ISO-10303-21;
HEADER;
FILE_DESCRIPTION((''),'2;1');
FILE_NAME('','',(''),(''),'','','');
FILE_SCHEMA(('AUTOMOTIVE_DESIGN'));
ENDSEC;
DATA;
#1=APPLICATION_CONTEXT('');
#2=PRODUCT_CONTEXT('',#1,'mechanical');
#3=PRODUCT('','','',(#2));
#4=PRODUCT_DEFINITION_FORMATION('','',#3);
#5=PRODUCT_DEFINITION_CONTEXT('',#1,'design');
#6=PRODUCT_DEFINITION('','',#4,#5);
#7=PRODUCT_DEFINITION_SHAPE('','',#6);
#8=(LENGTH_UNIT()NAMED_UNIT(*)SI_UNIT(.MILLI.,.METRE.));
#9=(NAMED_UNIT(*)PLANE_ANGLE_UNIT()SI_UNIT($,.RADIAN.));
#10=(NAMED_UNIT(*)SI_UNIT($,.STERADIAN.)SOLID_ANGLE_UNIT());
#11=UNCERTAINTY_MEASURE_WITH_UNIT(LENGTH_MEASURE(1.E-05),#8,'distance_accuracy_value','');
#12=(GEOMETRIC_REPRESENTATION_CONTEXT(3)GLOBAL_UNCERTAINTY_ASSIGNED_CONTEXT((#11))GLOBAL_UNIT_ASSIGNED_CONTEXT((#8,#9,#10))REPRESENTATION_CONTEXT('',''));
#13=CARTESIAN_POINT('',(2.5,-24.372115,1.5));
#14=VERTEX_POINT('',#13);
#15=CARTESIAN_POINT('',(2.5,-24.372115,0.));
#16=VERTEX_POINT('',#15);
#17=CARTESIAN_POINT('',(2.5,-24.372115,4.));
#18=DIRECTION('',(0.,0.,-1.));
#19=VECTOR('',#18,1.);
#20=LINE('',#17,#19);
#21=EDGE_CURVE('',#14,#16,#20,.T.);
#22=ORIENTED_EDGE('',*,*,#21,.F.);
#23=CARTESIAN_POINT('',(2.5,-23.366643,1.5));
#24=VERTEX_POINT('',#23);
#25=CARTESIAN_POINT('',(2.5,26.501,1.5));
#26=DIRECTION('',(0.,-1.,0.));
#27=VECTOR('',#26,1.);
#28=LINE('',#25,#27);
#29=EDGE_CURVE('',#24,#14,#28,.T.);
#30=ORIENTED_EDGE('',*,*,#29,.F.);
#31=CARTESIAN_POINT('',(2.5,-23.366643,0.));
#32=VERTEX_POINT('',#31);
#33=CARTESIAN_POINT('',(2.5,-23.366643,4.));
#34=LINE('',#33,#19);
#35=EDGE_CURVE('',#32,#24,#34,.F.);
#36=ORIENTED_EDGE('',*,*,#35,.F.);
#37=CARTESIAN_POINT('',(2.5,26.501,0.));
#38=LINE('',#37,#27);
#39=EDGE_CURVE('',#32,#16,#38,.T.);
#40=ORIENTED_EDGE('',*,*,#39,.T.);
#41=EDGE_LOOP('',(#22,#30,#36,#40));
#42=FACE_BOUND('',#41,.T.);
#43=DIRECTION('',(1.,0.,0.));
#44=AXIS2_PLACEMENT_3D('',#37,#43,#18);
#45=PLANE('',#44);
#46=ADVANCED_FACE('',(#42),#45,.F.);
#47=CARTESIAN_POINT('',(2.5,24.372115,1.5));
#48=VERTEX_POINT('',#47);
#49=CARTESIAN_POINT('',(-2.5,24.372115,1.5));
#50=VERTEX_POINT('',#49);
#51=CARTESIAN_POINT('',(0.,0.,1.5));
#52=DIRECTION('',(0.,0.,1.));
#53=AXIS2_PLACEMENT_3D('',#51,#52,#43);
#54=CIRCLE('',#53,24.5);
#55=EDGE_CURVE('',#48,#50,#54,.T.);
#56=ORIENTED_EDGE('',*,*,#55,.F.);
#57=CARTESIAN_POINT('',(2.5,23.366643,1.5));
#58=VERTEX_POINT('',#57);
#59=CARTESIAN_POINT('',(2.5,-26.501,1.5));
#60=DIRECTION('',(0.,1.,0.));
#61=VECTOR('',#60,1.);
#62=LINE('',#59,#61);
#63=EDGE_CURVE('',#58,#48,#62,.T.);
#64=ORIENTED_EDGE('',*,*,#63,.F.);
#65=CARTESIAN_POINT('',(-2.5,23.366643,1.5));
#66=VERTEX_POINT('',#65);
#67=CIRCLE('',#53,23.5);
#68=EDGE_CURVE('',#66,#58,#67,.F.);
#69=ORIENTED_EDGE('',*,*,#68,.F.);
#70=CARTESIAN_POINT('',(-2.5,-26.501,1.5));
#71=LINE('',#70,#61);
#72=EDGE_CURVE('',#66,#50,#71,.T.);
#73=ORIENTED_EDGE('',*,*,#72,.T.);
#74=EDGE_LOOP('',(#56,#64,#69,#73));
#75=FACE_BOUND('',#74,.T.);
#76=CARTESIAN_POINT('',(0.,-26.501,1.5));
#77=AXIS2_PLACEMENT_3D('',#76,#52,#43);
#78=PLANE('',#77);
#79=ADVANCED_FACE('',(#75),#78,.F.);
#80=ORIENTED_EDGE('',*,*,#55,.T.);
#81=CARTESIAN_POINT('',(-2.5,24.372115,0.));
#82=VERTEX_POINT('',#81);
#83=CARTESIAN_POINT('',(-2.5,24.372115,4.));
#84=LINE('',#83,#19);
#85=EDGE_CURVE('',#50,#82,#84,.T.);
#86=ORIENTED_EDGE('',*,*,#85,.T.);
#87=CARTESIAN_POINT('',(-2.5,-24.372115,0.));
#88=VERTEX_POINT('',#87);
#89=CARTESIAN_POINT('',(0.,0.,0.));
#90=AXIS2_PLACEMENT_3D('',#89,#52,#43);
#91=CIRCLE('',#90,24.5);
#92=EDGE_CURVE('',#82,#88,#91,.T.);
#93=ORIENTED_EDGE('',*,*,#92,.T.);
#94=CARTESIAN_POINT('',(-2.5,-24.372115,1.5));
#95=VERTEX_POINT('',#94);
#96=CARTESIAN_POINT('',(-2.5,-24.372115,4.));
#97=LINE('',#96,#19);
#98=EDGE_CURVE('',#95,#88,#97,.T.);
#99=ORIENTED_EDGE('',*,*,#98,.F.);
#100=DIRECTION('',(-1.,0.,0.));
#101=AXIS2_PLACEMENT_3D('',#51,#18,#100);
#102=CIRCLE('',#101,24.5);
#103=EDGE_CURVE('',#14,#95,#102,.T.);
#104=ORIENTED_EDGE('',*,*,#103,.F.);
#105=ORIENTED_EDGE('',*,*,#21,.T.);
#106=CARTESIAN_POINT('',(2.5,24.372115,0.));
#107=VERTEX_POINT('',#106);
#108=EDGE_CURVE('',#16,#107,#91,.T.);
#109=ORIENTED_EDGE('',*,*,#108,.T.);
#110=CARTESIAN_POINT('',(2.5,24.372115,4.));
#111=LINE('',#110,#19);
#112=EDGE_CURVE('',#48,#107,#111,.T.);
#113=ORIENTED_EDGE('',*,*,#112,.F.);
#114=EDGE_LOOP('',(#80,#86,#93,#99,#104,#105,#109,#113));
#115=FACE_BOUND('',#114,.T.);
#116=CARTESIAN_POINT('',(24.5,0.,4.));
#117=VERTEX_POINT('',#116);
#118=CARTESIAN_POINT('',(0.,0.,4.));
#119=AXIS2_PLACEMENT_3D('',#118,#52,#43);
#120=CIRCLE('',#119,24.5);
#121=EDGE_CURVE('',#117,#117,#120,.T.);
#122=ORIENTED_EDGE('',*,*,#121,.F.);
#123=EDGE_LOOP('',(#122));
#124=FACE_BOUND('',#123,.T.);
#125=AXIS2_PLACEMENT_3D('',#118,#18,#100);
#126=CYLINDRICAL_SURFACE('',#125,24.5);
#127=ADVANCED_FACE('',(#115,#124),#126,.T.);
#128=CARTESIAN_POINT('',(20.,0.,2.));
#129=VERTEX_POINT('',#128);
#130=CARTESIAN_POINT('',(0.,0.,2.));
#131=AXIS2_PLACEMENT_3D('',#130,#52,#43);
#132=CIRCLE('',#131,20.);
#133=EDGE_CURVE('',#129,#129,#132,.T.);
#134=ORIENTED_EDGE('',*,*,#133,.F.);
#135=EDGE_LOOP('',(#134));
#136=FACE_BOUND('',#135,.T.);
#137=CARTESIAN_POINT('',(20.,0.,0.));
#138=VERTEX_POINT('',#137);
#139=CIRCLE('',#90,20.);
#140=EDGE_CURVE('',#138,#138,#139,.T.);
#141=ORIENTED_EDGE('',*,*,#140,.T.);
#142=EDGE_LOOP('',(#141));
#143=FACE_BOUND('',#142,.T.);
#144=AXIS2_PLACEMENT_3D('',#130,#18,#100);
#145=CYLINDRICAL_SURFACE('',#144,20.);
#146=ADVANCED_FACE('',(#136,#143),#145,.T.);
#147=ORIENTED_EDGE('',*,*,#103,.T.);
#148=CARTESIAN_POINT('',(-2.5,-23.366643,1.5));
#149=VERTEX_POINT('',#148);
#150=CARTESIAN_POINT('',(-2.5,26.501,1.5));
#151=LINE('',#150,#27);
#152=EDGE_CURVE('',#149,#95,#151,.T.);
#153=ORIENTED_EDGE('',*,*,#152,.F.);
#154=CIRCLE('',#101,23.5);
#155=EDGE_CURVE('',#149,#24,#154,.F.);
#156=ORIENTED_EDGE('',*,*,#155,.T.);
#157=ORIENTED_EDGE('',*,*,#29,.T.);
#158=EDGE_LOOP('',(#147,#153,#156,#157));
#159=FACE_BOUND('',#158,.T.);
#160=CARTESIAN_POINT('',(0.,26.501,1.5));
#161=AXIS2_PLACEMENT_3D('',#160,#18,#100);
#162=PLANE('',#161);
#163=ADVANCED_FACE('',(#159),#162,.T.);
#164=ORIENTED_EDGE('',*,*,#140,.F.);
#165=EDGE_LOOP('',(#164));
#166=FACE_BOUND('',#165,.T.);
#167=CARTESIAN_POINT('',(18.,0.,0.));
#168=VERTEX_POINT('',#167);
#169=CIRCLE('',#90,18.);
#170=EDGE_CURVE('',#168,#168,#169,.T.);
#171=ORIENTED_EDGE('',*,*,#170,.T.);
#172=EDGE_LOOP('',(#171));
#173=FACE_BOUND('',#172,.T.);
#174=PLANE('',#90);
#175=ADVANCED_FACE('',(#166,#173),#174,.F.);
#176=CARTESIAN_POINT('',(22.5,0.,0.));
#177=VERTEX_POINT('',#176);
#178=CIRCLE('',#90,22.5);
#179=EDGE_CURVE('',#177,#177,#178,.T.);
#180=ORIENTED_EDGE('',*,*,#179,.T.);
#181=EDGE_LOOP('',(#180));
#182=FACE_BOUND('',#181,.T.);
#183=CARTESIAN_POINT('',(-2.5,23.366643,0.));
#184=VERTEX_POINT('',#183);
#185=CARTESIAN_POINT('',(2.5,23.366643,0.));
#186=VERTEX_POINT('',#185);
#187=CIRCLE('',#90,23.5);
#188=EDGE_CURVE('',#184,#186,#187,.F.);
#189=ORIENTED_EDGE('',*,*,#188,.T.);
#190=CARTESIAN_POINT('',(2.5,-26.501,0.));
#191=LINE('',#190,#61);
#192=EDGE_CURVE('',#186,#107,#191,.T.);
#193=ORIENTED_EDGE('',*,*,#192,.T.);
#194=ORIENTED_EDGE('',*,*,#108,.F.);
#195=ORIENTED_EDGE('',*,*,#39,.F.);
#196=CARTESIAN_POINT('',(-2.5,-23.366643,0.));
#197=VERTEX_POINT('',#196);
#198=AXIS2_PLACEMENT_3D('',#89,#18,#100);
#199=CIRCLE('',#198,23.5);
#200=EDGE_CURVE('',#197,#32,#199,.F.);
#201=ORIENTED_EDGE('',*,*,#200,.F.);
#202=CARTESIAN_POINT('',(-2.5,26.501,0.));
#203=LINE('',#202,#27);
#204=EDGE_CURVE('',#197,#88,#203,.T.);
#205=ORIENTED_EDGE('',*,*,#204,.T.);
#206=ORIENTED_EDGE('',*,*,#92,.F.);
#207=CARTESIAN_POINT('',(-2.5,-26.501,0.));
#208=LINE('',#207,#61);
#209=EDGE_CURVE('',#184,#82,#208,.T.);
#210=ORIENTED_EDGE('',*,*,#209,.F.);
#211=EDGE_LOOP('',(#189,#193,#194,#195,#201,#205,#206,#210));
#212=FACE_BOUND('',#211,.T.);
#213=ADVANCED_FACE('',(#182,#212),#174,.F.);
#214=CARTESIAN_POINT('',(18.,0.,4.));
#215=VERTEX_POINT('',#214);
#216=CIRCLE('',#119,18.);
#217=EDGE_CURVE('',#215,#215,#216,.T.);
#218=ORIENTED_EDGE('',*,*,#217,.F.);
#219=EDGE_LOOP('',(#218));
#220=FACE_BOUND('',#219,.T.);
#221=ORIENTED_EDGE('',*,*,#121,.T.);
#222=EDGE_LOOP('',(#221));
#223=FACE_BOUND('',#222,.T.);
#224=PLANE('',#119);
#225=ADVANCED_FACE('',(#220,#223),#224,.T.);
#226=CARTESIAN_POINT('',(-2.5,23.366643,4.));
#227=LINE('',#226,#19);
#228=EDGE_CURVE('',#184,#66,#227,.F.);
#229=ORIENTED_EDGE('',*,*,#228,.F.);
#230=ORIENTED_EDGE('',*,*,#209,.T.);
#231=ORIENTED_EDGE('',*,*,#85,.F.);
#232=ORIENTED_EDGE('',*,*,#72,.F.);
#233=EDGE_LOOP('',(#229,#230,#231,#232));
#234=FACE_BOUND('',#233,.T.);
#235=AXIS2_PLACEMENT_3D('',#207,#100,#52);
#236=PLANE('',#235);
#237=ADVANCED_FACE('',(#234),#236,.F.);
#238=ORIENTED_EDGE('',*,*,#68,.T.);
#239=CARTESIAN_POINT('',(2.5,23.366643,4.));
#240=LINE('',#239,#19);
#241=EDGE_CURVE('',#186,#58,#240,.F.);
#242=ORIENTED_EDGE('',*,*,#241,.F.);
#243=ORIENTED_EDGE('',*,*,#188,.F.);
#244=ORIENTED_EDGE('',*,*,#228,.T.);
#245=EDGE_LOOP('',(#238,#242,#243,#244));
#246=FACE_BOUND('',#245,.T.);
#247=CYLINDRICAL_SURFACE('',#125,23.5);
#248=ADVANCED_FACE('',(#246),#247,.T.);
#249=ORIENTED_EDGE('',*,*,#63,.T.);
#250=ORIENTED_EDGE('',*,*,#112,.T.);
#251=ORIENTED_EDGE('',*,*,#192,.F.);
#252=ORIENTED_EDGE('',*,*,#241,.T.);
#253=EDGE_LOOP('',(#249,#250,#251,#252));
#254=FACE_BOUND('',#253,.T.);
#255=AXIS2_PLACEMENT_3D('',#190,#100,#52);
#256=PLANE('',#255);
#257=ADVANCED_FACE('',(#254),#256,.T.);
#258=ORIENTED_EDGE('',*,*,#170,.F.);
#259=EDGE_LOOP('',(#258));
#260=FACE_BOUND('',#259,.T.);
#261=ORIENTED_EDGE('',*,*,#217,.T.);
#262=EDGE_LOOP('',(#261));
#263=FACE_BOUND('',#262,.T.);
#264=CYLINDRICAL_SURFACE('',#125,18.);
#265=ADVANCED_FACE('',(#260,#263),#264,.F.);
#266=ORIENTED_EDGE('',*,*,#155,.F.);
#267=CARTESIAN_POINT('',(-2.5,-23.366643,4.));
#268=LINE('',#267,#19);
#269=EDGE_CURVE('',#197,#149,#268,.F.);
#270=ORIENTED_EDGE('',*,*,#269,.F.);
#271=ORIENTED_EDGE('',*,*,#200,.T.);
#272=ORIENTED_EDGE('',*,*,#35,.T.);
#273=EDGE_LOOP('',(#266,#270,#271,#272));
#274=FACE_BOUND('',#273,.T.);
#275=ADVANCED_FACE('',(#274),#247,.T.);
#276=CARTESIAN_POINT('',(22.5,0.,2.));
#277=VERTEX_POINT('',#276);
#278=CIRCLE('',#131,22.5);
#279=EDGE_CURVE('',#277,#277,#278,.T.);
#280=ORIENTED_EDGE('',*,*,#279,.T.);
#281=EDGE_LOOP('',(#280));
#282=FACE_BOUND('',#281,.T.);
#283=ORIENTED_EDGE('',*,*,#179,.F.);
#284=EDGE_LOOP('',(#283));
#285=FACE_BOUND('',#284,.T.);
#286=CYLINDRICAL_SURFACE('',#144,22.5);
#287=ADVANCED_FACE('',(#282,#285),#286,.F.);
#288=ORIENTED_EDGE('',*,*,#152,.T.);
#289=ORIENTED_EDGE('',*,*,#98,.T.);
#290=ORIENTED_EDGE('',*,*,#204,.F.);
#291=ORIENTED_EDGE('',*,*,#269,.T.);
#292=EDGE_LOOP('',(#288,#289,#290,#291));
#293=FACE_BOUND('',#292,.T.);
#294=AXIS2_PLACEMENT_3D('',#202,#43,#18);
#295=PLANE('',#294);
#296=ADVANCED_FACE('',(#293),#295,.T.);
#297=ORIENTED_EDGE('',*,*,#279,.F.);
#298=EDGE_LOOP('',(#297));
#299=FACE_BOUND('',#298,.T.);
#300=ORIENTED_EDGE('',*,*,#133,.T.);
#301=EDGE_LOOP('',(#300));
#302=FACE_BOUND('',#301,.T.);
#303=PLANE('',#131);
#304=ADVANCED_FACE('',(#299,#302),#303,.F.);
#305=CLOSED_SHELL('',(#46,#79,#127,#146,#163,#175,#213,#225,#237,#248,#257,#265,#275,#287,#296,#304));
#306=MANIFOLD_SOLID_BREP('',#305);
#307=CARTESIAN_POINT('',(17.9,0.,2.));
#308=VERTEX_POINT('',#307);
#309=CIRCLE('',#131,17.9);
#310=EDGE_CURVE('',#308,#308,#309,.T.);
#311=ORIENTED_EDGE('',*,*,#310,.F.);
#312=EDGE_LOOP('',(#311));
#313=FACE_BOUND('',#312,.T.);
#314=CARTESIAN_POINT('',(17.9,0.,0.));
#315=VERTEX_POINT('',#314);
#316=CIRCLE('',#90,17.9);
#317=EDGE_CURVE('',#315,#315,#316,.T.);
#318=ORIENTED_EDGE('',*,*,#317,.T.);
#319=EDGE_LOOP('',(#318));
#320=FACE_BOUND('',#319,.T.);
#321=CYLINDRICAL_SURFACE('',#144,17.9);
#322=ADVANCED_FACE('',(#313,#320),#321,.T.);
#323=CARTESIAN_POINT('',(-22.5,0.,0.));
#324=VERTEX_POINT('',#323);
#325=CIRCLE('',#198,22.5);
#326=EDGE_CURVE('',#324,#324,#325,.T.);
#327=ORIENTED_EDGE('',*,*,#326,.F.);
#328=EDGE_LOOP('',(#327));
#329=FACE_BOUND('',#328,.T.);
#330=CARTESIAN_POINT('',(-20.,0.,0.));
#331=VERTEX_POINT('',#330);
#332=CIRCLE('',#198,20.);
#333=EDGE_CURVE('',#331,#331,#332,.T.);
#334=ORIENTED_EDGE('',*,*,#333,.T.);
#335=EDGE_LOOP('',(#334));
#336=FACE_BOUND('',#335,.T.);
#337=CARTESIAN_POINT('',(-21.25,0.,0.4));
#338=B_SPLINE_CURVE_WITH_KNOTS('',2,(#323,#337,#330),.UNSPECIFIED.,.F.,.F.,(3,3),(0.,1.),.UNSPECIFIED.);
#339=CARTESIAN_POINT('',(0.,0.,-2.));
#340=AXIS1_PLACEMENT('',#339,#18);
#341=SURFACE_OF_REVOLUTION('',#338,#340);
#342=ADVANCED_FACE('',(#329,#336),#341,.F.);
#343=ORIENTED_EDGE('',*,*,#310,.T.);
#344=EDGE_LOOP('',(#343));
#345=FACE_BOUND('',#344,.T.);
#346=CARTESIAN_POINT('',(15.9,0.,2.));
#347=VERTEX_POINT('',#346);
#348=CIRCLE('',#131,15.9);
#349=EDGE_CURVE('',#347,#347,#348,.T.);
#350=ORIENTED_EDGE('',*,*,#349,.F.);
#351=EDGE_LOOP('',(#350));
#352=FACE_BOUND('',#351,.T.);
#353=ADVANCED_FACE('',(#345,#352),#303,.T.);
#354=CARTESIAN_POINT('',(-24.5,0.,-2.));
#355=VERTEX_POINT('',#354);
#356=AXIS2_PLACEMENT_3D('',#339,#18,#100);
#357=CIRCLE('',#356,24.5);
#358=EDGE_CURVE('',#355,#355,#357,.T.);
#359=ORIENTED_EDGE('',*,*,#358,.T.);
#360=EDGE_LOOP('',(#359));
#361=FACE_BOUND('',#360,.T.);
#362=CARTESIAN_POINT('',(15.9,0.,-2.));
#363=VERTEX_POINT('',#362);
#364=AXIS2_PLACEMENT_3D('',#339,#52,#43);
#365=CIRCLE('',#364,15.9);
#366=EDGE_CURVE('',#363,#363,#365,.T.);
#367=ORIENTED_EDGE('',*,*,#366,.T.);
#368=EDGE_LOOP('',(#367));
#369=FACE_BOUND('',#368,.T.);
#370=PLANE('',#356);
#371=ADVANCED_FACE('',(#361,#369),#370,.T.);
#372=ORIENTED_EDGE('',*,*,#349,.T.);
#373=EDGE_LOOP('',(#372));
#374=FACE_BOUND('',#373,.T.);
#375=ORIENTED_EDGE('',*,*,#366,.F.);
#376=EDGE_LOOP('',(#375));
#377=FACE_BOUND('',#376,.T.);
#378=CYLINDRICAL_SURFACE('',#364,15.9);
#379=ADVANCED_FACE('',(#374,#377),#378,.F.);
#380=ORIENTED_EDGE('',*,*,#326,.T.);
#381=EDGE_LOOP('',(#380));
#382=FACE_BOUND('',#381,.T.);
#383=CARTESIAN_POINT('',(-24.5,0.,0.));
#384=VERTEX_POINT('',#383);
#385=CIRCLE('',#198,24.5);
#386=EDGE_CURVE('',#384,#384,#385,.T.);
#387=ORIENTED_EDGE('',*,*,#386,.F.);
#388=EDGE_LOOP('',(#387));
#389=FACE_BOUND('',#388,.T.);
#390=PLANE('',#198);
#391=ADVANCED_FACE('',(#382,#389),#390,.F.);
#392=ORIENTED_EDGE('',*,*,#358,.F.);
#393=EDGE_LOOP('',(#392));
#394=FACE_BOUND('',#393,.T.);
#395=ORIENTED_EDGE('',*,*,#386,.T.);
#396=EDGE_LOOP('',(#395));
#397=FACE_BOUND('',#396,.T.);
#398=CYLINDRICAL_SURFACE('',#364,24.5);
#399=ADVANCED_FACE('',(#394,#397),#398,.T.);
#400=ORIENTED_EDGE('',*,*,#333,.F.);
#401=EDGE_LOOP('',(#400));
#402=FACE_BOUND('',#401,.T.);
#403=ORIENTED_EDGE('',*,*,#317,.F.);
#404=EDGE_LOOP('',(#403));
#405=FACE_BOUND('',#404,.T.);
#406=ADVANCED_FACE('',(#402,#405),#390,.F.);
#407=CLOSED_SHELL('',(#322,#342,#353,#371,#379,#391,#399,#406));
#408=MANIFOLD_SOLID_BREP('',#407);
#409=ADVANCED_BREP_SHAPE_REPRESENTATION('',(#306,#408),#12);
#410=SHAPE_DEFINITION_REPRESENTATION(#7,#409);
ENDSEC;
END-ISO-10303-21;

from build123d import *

# Parameters (mm, degrees)
SKETCH1_R               = 24.5
SKETCH1_R_2             = 18
BOSS_EXTRUDE1_DEPTH     = 4
SKETCH3_R               = 22.5
SKETCH3_R_2             = 20
CUT_EXTRUDE1_DEPTH      = 2
SKETCH4_R               = 24.5
BOSS_EXTRUDE2_DEPTH     = 2
SKETCH5_R               = 17.9
BOSS_EXTRUDE3_DEPTH     = 2
SKETCH8_R               = 15.9
CUT_EXTRUDE2_DEPTH      = 35.878360053
CUT_EXTRUDE3_REACH      = 136.878
CUT_EXTRUDE3_END_RADIUS = 23.5
CUT_EXTRUDE3_START      = -100
SKETCH9_W               = 2.5
SKETCH9_H               = 1.5


with BuildPart() as part:
    # Sketch1 → Boss-Extrude1 (new body)
    with BuildSketch(Plane.XY):
        Circle(SKETCH1_R)
        Circle(SKETCH1_R_2, mode=Mode.SUBTRACT)
    extrude(amount=BOSS_EXTRUDE1_DEPTH)

    # Sketch3 → Cut-Extrude1 (cut)
    with BuildSketch(Plane.XY):
        Circle(SKETCH3_R)
        Circle(SKETCH3_R_2, mode=Mode.SUBTRACT)
    extrude(amount=CUT_EXTRUDE1_DEPTH, mode=Mode.SUBTRACT)

    # Cut-Extrude3: up to this cylinder (the profile starts outside it)
    cut_extrude3_end = Plane(origin=(0, 0, 0.75), z_dir=(0, 0, -1)) * Cylinder(CUT_EXTRUDE3_END_RADIUS, 321.756, mode=Mode.PRIVATE)
    # Sketch9 → Cut-Extrude3 (cut, up to the surface)
    with BuildSketch(Plane(origin=(0, 0, 0), x_dir=(1, 0, 0), z_dir=(0, 1, 0)).offset(CUT_EXTRUDE3_START), mode=Mode.PRIVATE) as cut_extrude3_sk1:
        with Locations((-1.25, -0.75)):
            Rectangle(SKETCH9_W, SKETCH9_H)
    cut_extrude3_tool1 = extrude(cut_extrude3_sk1.sketch, amount=CUT_EXTRUDE3_REACH, mode=Mode.PRIVATE) - cut_extrude3_end
    # Sketch9 → Cut-Extrude3 (cut, up to the surface)
    with BuildSketch(Plane(origin=(0, 0, 0), x_dir=(1, 0, 0), z_dir=(0, 1, 0)).offset(CUT_EXTRUDE3_START), mode=Mode.PRIVATE) as cut_extrude3_sk2:
        with Locations((1.25, -0.75)):
            Rectangle(SKETCH9_W, SKETCH9_H)
    cut_extrude3_tool2 = extrude(cut_extrude3_sk2.sketch, amount=CUT_EXTRUDE3_REACH, mode=Mode.PRIVATE) - cut_extrude3_end
    cut_extrude3 = cut_extrude3_tool1.solids().sort_by_distance((-1.25, -100, 0.75))[0] + cut_extrude3_tool2.solids().sort_by_distance((1.25, -100, 0.75))[0]
    add(cut_extrude3, mode=Mode.SUBTRACT)

    # Mirror1: Cut-Extrude3 across plane
    add(cut_extrude3.mirror(Plane.ZX), mode=Mode.SUBTRACT)


with BuildPart() as body_2:
    # Sketch4 → Boss-Extrude2 (new body)
    with BuildSketch(Plane(origin=(0, 0, 0), x_dir=(-1, 0, 0), z_dir=(0, 0, -1))):
        with Locations(Location((0, 0, 0), (0, 0, 180))):
            Circle(SKETCH4_R)
    extrude(amount=BOSS_EXTRUDE2_DEPTH)


with BuildPart() as body_3:
    # Sketch5 → Boss-Extrude3 (new body)
    with BuildSketch(Plane.XY):
        Circle(SKETCH5_R)
    extrude(amount=BOSS_EXTRUDE3_DEPTH)


with BuildPart() as body_2_1:
    add(body_2.part)

    # Combine1: union body 3
    add(body_3.part)

    # Sketch8 → Cut-Extrude2 (cut, through all)
    with BuildSketch(Plane.XY.offset(2)):
        Circle(SKETCH8_R)
    extrude(amount=-CUT_EXTRUDE2_DEPTH, mode=Mode.SUBTRACT)


with BuildPart() as body_3_2:
    # Sketch6 → Revolve1 (revolve)
    with BuildSketch(Plane(origin=(0, 0, 0), x_dir=(1, 0, 0), z_dir=(0, 1, 0))):
        with BuildLine():
            Line((-22.5, 0), (-20, 0))
            add(Edge.make_bspline(
                [(-22.5, 0), (-21.25, -0.4), (-20, 0)],
                knots=[0, 0, 0, 1, 1, 1], degree=2))
        make_face()
    revolve(axis=Axis((0, 0, -2), (0, 0, 1)))


with BuildPart() as body_2_2:
    add(body_2_1.part)

    # Combine3: union body 3 2
    add(body_3_2.part)


solid = Compound([part.part, body_2_2.part])
